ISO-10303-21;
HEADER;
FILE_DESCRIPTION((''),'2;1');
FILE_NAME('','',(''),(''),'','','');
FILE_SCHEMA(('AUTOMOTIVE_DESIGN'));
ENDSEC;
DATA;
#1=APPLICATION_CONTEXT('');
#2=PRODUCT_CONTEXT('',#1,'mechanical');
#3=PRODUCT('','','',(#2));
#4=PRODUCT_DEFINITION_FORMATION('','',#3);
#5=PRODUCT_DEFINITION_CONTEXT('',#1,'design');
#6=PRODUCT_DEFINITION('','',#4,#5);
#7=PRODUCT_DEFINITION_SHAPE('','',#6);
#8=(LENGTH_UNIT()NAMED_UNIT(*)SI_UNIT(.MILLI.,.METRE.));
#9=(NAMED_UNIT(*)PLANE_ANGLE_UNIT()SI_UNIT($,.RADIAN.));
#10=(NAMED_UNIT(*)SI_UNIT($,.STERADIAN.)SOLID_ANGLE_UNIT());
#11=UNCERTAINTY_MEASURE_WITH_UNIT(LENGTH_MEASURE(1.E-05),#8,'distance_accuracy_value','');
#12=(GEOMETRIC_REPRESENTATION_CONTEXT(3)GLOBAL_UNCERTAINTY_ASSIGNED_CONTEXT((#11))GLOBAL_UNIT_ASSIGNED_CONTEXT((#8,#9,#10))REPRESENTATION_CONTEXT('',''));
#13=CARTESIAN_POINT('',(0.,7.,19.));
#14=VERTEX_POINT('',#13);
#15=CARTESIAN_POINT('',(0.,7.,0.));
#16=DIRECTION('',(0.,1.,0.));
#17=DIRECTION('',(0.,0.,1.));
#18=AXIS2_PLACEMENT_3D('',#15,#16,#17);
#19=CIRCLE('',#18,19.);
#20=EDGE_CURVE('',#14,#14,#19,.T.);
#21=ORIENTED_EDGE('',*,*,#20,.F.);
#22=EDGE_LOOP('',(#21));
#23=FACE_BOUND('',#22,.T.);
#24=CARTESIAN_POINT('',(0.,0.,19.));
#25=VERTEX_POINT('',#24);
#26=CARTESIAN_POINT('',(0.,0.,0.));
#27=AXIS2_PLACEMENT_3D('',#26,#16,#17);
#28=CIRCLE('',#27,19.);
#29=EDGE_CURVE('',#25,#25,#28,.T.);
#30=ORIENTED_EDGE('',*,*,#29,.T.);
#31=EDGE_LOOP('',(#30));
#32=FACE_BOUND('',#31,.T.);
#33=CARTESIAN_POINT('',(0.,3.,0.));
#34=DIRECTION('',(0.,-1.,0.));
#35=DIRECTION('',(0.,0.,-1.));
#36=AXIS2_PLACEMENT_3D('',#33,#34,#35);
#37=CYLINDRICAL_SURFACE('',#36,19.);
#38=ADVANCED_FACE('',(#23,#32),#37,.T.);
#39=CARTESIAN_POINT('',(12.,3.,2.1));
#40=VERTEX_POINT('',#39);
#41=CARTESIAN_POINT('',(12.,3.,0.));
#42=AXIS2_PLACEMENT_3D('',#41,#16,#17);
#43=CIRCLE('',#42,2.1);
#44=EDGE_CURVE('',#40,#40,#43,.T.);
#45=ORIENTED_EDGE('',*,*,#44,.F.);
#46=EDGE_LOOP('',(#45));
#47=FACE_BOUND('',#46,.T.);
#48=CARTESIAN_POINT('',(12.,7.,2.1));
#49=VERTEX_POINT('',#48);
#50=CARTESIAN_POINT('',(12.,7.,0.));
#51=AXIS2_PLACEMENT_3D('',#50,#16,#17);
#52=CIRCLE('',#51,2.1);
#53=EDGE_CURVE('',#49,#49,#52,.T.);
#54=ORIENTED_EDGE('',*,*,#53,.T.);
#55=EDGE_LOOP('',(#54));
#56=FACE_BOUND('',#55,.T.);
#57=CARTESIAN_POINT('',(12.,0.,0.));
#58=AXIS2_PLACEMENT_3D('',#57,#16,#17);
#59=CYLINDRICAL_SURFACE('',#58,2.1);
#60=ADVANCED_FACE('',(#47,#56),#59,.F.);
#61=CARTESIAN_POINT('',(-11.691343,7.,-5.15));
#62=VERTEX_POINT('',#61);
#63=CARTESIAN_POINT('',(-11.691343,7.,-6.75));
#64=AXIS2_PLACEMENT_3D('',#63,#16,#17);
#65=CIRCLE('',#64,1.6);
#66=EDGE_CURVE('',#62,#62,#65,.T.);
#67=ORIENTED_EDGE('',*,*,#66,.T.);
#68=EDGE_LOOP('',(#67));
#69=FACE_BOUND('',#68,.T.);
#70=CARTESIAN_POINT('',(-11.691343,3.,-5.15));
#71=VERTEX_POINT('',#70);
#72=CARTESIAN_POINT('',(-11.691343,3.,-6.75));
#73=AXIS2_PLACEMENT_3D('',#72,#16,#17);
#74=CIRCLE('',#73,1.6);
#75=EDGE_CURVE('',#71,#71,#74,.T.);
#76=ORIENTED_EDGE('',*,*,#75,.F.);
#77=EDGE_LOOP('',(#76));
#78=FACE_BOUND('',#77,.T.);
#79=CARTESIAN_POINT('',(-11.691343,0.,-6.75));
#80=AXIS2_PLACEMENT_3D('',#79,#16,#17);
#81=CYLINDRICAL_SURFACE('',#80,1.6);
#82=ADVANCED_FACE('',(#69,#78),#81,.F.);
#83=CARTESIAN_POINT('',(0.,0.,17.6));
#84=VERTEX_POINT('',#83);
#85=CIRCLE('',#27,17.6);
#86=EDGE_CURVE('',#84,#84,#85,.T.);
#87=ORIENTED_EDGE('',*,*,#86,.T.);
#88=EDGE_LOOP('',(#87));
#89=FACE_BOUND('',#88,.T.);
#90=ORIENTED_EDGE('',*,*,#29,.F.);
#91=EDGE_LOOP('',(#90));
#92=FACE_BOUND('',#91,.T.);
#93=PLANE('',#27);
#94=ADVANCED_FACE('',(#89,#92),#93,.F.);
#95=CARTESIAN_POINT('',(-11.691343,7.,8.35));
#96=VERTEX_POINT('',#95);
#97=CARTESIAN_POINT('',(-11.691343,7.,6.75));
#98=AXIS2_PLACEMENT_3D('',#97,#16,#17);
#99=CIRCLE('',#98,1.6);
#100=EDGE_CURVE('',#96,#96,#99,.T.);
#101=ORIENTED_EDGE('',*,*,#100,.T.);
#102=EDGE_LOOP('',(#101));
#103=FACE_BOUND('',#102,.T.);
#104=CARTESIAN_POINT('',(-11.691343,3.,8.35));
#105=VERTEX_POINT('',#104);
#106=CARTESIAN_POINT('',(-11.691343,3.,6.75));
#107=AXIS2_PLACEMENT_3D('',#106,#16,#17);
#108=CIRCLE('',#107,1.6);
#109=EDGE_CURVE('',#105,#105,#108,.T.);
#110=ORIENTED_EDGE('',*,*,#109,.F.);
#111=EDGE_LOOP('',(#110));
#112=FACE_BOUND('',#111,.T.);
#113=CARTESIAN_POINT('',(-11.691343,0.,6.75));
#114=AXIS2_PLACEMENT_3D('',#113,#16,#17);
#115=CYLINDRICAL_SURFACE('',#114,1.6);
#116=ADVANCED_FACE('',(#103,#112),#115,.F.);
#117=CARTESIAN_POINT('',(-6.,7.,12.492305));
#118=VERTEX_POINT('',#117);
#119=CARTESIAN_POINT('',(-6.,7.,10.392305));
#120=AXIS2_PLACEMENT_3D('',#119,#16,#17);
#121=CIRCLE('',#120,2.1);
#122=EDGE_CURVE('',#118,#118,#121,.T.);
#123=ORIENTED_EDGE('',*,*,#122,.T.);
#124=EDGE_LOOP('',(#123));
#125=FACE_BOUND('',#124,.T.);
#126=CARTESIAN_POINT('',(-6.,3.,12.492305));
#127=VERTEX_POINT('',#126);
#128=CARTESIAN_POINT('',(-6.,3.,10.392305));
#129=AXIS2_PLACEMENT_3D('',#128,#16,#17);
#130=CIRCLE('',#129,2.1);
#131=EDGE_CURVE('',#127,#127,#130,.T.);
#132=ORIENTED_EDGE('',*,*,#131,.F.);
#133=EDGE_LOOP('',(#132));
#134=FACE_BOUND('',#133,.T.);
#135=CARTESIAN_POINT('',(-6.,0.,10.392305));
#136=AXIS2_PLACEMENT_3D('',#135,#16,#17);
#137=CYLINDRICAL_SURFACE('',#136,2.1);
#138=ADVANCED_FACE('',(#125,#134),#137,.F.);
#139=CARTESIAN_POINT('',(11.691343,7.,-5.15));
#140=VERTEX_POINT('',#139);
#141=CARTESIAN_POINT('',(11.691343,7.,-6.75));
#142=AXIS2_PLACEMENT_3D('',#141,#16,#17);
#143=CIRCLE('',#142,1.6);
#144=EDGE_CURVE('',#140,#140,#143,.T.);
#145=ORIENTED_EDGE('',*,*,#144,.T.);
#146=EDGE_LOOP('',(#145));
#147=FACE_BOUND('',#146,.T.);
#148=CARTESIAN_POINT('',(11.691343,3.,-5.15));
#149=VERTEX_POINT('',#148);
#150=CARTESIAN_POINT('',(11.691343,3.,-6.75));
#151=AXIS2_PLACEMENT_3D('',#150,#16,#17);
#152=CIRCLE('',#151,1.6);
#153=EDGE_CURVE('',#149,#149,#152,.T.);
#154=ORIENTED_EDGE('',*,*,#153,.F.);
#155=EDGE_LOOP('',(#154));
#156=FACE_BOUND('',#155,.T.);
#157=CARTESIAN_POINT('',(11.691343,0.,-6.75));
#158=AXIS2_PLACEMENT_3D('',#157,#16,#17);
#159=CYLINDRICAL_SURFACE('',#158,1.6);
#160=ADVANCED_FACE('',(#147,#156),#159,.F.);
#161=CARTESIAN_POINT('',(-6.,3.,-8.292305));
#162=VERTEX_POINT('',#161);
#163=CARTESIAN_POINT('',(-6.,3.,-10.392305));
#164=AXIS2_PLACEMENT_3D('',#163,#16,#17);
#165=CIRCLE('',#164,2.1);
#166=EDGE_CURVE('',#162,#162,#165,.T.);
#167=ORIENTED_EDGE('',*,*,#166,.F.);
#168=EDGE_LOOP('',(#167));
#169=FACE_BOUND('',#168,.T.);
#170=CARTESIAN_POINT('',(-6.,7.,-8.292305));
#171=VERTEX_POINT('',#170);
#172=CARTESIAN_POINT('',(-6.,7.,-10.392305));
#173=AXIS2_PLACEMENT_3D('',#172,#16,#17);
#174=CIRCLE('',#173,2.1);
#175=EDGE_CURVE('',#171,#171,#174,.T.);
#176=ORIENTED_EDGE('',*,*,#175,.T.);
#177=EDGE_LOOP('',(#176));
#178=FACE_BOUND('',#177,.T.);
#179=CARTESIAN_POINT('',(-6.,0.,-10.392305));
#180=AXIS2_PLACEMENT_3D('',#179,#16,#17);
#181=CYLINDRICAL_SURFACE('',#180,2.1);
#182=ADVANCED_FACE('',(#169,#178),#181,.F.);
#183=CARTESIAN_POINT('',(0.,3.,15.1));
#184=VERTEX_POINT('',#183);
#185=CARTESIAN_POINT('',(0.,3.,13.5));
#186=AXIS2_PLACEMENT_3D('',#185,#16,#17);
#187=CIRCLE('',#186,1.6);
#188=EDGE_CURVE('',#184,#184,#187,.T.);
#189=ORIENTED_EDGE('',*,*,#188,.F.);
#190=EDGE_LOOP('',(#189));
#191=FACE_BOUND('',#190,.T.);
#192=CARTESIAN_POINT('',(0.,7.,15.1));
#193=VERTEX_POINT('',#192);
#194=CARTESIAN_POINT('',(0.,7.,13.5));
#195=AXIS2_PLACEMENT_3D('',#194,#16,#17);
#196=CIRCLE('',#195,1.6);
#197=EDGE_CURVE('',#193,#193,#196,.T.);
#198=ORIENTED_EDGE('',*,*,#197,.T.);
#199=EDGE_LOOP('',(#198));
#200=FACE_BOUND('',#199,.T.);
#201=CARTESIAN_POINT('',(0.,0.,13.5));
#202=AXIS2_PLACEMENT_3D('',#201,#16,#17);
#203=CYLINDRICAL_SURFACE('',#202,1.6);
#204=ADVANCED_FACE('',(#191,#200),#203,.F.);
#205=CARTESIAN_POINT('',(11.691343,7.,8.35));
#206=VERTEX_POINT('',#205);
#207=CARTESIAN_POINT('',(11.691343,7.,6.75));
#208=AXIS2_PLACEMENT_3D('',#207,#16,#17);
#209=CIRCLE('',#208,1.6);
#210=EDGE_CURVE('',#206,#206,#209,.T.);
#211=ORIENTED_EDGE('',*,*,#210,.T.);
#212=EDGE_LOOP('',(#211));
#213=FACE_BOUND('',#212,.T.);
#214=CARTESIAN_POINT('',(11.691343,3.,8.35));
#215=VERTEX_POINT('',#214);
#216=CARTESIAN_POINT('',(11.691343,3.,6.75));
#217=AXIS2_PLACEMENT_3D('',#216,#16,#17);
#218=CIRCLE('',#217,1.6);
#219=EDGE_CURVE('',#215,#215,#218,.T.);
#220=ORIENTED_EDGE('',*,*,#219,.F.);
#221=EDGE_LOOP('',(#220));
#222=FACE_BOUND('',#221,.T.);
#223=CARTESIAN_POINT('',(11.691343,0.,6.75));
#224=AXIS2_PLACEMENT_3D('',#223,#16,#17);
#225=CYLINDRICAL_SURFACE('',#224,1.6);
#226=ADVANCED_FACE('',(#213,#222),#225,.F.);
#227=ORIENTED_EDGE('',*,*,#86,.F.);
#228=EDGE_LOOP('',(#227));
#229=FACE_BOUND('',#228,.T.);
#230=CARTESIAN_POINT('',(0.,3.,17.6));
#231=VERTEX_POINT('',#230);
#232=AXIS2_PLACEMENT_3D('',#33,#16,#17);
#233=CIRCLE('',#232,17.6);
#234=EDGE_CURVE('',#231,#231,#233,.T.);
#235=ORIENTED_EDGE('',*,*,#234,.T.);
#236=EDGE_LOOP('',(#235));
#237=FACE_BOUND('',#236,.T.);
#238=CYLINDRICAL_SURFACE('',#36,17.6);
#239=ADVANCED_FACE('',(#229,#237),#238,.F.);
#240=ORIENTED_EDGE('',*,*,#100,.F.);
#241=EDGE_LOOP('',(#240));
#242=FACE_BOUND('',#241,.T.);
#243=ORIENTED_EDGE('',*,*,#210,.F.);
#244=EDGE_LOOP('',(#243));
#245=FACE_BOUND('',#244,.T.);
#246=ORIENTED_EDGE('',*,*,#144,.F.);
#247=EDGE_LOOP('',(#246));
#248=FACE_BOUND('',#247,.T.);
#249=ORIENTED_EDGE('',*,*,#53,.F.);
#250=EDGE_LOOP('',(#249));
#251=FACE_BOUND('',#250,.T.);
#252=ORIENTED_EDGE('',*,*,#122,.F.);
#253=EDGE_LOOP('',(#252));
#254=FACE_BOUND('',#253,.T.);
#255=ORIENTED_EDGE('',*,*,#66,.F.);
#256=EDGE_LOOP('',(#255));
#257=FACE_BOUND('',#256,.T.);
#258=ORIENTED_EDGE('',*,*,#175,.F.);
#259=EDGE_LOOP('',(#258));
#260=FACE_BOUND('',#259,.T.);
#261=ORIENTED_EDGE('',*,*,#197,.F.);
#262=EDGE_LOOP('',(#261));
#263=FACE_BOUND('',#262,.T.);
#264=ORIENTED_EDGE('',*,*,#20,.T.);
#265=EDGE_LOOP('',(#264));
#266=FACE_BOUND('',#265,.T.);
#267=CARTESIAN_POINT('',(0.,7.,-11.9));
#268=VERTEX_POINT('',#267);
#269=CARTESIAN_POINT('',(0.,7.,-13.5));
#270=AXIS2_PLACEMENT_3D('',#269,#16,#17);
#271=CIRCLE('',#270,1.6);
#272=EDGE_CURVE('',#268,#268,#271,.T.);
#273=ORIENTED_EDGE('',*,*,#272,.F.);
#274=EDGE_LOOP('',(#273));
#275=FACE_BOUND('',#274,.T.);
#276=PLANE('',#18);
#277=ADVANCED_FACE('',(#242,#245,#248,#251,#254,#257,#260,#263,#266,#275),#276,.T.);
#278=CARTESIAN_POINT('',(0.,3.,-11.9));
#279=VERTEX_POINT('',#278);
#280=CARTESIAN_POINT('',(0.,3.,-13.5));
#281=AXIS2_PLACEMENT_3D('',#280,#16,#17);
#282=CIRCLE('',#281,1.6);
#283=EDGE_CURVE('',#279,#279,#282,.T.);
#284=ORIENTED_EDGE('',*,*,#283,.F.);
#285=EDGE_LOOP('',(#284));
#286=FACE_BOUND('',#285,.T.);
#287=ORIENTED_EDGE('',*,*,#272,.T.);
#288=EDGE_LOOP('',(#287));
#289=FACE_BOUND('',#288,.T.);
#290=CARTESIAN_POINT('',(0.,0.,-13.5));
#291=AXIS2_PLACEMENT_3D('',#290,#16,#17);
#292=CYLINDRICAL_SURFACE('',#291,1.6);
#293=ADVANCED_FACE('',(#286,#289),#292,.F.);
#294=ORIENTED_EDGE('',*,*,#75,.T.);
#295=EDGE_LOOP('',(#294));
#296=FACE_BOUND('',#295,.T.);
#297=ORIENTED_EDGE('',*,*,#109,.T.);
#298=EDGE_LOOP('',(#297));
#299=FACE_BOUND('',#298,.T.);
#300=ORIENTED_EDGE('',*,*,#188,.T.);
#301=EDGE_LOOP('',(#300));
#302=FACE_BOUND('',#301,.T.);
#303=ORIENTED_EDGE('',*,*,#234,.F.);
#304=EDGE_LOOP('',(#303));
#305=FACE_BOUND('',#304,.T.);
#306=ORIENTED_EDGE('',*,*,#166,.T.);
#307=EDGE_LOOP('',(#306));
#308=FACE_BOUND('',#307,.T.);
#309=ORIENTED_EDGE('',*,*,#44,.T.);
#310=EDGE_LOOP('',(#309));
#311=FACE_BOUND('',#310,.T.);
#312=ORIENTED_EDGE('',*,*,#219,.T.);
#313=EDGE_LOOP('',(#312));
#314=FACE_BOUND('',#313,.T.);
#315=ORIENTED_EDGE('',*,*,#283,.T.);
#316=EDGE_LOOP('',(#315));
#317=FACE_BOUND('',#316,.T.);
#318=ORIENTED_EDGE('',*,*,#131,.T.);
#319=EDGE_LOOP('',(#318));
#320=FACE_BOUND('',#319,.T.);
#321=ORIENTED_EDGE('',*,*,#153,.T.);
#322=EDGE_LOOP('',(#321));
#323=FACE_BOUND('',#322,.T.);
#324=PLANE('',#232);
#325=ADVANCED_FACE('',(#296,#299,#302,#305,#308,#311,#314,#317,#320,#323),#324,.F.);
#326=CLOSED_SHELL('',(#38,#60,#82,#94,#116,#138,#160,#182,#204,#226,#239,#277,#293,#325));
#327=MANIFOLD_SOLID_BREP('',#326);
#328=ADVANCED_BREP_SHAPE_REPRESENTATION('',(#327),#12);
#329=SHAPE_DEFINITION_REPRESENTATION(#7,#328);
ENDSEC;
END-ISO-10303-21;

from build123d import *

# Parameters (mm, degrees)
SKETCH_1_R          = 19
SKETCH_1_R_2        = 17.6
EXTRUDE_1_DEPTH     = 3
SKETCH_2_R          = 19
EXTRUDE_2_DEPTH     = 4
SKETCH_3_R          = 1.6
SKETCH_3_R_2        = 2.1
CUT_EXTRUDE_1_DEPTH = 28.766886754


with BuildPart() as part:
    # 草图1 → 凸台-拉伸1 (new body)
    with BuildSketch(Plane(origin=(0, 0, 0), x_dir=(1, 0, 0), z_dir=(0, 1, 0))):
        with Locations(Location((0, 0, 0), (0, 0, 270))):
            Circle(SKETCH_1_R)
        with Locations(Location((0, 0, 0), (0, 0, 270))):
            Circle(SKETCH_1_R_2, mode=Mode.SUBTRACT)
    extrude(amount=EXTRUDE_1_DEPTH)

    # 草图2 → 凸台-拉伸2 (add)
    with BuildSketch(Plane(origin=(0, 3, 0), x_dir=(1, 0, 0), z_dir=(0, 1, 0))):
        with Locations(Location((0, 0, 0), (0, 0, 270))):
            Circle(SKETCH_2_R)
    extrude(amount=EXTRUDE_2_DEPTH)

    # 草图3 → 切除-拉伸1 (cut, through all)
    with BuildSketch(Plane(origin=(0, 7, 0), x_dir=(1, 0, 0), z_dir=(0, 1, 0))):
        with Locations(Location((0, 13.5, 0), (0, 0, 270))):
            Circle(SKETCH_3_R)
        with Locations(Location((11.691342951, 6.75, 0), (0, 0, 270))):
            Circle(SKETCH_3_R)
        with Locations(Location((11.691342951, -6.75, 0), (0, 0, 270))):
            Circle(SKETCH_3_R)
        with Locations(Location((0, -13.5, 0), (0, 0, 270))):
            Circle(SKETCH_3_R)
        with Locations(Location((-11.691342951, -6.75, 0), (0, 0, 270))):
            Circle(SKETCH_3_R)
        with Locations(Location((-11.691342951, 6.75, 0), (0, 0, 270))):
            Circle(SKETCH_3_R)
        with Locations(Location((12, 0, 0), (0, 0, 270))):
            Circle(SKETCH_3_R_2)
        with Locations(Location((-6, -10.392304845, 0), (0, 0, 270))):
            Circle(SKETCH_3_R_2)
        with Locations(Location((-6, 10.392304845, 0), (0, 0, 270))):
            Circle(SKETCH_3_R_2)
    extrude(amount=-CUT_EXTRUDE_1_DEPTH, mode=Mode.SUBTRACT)


solid = part.part
